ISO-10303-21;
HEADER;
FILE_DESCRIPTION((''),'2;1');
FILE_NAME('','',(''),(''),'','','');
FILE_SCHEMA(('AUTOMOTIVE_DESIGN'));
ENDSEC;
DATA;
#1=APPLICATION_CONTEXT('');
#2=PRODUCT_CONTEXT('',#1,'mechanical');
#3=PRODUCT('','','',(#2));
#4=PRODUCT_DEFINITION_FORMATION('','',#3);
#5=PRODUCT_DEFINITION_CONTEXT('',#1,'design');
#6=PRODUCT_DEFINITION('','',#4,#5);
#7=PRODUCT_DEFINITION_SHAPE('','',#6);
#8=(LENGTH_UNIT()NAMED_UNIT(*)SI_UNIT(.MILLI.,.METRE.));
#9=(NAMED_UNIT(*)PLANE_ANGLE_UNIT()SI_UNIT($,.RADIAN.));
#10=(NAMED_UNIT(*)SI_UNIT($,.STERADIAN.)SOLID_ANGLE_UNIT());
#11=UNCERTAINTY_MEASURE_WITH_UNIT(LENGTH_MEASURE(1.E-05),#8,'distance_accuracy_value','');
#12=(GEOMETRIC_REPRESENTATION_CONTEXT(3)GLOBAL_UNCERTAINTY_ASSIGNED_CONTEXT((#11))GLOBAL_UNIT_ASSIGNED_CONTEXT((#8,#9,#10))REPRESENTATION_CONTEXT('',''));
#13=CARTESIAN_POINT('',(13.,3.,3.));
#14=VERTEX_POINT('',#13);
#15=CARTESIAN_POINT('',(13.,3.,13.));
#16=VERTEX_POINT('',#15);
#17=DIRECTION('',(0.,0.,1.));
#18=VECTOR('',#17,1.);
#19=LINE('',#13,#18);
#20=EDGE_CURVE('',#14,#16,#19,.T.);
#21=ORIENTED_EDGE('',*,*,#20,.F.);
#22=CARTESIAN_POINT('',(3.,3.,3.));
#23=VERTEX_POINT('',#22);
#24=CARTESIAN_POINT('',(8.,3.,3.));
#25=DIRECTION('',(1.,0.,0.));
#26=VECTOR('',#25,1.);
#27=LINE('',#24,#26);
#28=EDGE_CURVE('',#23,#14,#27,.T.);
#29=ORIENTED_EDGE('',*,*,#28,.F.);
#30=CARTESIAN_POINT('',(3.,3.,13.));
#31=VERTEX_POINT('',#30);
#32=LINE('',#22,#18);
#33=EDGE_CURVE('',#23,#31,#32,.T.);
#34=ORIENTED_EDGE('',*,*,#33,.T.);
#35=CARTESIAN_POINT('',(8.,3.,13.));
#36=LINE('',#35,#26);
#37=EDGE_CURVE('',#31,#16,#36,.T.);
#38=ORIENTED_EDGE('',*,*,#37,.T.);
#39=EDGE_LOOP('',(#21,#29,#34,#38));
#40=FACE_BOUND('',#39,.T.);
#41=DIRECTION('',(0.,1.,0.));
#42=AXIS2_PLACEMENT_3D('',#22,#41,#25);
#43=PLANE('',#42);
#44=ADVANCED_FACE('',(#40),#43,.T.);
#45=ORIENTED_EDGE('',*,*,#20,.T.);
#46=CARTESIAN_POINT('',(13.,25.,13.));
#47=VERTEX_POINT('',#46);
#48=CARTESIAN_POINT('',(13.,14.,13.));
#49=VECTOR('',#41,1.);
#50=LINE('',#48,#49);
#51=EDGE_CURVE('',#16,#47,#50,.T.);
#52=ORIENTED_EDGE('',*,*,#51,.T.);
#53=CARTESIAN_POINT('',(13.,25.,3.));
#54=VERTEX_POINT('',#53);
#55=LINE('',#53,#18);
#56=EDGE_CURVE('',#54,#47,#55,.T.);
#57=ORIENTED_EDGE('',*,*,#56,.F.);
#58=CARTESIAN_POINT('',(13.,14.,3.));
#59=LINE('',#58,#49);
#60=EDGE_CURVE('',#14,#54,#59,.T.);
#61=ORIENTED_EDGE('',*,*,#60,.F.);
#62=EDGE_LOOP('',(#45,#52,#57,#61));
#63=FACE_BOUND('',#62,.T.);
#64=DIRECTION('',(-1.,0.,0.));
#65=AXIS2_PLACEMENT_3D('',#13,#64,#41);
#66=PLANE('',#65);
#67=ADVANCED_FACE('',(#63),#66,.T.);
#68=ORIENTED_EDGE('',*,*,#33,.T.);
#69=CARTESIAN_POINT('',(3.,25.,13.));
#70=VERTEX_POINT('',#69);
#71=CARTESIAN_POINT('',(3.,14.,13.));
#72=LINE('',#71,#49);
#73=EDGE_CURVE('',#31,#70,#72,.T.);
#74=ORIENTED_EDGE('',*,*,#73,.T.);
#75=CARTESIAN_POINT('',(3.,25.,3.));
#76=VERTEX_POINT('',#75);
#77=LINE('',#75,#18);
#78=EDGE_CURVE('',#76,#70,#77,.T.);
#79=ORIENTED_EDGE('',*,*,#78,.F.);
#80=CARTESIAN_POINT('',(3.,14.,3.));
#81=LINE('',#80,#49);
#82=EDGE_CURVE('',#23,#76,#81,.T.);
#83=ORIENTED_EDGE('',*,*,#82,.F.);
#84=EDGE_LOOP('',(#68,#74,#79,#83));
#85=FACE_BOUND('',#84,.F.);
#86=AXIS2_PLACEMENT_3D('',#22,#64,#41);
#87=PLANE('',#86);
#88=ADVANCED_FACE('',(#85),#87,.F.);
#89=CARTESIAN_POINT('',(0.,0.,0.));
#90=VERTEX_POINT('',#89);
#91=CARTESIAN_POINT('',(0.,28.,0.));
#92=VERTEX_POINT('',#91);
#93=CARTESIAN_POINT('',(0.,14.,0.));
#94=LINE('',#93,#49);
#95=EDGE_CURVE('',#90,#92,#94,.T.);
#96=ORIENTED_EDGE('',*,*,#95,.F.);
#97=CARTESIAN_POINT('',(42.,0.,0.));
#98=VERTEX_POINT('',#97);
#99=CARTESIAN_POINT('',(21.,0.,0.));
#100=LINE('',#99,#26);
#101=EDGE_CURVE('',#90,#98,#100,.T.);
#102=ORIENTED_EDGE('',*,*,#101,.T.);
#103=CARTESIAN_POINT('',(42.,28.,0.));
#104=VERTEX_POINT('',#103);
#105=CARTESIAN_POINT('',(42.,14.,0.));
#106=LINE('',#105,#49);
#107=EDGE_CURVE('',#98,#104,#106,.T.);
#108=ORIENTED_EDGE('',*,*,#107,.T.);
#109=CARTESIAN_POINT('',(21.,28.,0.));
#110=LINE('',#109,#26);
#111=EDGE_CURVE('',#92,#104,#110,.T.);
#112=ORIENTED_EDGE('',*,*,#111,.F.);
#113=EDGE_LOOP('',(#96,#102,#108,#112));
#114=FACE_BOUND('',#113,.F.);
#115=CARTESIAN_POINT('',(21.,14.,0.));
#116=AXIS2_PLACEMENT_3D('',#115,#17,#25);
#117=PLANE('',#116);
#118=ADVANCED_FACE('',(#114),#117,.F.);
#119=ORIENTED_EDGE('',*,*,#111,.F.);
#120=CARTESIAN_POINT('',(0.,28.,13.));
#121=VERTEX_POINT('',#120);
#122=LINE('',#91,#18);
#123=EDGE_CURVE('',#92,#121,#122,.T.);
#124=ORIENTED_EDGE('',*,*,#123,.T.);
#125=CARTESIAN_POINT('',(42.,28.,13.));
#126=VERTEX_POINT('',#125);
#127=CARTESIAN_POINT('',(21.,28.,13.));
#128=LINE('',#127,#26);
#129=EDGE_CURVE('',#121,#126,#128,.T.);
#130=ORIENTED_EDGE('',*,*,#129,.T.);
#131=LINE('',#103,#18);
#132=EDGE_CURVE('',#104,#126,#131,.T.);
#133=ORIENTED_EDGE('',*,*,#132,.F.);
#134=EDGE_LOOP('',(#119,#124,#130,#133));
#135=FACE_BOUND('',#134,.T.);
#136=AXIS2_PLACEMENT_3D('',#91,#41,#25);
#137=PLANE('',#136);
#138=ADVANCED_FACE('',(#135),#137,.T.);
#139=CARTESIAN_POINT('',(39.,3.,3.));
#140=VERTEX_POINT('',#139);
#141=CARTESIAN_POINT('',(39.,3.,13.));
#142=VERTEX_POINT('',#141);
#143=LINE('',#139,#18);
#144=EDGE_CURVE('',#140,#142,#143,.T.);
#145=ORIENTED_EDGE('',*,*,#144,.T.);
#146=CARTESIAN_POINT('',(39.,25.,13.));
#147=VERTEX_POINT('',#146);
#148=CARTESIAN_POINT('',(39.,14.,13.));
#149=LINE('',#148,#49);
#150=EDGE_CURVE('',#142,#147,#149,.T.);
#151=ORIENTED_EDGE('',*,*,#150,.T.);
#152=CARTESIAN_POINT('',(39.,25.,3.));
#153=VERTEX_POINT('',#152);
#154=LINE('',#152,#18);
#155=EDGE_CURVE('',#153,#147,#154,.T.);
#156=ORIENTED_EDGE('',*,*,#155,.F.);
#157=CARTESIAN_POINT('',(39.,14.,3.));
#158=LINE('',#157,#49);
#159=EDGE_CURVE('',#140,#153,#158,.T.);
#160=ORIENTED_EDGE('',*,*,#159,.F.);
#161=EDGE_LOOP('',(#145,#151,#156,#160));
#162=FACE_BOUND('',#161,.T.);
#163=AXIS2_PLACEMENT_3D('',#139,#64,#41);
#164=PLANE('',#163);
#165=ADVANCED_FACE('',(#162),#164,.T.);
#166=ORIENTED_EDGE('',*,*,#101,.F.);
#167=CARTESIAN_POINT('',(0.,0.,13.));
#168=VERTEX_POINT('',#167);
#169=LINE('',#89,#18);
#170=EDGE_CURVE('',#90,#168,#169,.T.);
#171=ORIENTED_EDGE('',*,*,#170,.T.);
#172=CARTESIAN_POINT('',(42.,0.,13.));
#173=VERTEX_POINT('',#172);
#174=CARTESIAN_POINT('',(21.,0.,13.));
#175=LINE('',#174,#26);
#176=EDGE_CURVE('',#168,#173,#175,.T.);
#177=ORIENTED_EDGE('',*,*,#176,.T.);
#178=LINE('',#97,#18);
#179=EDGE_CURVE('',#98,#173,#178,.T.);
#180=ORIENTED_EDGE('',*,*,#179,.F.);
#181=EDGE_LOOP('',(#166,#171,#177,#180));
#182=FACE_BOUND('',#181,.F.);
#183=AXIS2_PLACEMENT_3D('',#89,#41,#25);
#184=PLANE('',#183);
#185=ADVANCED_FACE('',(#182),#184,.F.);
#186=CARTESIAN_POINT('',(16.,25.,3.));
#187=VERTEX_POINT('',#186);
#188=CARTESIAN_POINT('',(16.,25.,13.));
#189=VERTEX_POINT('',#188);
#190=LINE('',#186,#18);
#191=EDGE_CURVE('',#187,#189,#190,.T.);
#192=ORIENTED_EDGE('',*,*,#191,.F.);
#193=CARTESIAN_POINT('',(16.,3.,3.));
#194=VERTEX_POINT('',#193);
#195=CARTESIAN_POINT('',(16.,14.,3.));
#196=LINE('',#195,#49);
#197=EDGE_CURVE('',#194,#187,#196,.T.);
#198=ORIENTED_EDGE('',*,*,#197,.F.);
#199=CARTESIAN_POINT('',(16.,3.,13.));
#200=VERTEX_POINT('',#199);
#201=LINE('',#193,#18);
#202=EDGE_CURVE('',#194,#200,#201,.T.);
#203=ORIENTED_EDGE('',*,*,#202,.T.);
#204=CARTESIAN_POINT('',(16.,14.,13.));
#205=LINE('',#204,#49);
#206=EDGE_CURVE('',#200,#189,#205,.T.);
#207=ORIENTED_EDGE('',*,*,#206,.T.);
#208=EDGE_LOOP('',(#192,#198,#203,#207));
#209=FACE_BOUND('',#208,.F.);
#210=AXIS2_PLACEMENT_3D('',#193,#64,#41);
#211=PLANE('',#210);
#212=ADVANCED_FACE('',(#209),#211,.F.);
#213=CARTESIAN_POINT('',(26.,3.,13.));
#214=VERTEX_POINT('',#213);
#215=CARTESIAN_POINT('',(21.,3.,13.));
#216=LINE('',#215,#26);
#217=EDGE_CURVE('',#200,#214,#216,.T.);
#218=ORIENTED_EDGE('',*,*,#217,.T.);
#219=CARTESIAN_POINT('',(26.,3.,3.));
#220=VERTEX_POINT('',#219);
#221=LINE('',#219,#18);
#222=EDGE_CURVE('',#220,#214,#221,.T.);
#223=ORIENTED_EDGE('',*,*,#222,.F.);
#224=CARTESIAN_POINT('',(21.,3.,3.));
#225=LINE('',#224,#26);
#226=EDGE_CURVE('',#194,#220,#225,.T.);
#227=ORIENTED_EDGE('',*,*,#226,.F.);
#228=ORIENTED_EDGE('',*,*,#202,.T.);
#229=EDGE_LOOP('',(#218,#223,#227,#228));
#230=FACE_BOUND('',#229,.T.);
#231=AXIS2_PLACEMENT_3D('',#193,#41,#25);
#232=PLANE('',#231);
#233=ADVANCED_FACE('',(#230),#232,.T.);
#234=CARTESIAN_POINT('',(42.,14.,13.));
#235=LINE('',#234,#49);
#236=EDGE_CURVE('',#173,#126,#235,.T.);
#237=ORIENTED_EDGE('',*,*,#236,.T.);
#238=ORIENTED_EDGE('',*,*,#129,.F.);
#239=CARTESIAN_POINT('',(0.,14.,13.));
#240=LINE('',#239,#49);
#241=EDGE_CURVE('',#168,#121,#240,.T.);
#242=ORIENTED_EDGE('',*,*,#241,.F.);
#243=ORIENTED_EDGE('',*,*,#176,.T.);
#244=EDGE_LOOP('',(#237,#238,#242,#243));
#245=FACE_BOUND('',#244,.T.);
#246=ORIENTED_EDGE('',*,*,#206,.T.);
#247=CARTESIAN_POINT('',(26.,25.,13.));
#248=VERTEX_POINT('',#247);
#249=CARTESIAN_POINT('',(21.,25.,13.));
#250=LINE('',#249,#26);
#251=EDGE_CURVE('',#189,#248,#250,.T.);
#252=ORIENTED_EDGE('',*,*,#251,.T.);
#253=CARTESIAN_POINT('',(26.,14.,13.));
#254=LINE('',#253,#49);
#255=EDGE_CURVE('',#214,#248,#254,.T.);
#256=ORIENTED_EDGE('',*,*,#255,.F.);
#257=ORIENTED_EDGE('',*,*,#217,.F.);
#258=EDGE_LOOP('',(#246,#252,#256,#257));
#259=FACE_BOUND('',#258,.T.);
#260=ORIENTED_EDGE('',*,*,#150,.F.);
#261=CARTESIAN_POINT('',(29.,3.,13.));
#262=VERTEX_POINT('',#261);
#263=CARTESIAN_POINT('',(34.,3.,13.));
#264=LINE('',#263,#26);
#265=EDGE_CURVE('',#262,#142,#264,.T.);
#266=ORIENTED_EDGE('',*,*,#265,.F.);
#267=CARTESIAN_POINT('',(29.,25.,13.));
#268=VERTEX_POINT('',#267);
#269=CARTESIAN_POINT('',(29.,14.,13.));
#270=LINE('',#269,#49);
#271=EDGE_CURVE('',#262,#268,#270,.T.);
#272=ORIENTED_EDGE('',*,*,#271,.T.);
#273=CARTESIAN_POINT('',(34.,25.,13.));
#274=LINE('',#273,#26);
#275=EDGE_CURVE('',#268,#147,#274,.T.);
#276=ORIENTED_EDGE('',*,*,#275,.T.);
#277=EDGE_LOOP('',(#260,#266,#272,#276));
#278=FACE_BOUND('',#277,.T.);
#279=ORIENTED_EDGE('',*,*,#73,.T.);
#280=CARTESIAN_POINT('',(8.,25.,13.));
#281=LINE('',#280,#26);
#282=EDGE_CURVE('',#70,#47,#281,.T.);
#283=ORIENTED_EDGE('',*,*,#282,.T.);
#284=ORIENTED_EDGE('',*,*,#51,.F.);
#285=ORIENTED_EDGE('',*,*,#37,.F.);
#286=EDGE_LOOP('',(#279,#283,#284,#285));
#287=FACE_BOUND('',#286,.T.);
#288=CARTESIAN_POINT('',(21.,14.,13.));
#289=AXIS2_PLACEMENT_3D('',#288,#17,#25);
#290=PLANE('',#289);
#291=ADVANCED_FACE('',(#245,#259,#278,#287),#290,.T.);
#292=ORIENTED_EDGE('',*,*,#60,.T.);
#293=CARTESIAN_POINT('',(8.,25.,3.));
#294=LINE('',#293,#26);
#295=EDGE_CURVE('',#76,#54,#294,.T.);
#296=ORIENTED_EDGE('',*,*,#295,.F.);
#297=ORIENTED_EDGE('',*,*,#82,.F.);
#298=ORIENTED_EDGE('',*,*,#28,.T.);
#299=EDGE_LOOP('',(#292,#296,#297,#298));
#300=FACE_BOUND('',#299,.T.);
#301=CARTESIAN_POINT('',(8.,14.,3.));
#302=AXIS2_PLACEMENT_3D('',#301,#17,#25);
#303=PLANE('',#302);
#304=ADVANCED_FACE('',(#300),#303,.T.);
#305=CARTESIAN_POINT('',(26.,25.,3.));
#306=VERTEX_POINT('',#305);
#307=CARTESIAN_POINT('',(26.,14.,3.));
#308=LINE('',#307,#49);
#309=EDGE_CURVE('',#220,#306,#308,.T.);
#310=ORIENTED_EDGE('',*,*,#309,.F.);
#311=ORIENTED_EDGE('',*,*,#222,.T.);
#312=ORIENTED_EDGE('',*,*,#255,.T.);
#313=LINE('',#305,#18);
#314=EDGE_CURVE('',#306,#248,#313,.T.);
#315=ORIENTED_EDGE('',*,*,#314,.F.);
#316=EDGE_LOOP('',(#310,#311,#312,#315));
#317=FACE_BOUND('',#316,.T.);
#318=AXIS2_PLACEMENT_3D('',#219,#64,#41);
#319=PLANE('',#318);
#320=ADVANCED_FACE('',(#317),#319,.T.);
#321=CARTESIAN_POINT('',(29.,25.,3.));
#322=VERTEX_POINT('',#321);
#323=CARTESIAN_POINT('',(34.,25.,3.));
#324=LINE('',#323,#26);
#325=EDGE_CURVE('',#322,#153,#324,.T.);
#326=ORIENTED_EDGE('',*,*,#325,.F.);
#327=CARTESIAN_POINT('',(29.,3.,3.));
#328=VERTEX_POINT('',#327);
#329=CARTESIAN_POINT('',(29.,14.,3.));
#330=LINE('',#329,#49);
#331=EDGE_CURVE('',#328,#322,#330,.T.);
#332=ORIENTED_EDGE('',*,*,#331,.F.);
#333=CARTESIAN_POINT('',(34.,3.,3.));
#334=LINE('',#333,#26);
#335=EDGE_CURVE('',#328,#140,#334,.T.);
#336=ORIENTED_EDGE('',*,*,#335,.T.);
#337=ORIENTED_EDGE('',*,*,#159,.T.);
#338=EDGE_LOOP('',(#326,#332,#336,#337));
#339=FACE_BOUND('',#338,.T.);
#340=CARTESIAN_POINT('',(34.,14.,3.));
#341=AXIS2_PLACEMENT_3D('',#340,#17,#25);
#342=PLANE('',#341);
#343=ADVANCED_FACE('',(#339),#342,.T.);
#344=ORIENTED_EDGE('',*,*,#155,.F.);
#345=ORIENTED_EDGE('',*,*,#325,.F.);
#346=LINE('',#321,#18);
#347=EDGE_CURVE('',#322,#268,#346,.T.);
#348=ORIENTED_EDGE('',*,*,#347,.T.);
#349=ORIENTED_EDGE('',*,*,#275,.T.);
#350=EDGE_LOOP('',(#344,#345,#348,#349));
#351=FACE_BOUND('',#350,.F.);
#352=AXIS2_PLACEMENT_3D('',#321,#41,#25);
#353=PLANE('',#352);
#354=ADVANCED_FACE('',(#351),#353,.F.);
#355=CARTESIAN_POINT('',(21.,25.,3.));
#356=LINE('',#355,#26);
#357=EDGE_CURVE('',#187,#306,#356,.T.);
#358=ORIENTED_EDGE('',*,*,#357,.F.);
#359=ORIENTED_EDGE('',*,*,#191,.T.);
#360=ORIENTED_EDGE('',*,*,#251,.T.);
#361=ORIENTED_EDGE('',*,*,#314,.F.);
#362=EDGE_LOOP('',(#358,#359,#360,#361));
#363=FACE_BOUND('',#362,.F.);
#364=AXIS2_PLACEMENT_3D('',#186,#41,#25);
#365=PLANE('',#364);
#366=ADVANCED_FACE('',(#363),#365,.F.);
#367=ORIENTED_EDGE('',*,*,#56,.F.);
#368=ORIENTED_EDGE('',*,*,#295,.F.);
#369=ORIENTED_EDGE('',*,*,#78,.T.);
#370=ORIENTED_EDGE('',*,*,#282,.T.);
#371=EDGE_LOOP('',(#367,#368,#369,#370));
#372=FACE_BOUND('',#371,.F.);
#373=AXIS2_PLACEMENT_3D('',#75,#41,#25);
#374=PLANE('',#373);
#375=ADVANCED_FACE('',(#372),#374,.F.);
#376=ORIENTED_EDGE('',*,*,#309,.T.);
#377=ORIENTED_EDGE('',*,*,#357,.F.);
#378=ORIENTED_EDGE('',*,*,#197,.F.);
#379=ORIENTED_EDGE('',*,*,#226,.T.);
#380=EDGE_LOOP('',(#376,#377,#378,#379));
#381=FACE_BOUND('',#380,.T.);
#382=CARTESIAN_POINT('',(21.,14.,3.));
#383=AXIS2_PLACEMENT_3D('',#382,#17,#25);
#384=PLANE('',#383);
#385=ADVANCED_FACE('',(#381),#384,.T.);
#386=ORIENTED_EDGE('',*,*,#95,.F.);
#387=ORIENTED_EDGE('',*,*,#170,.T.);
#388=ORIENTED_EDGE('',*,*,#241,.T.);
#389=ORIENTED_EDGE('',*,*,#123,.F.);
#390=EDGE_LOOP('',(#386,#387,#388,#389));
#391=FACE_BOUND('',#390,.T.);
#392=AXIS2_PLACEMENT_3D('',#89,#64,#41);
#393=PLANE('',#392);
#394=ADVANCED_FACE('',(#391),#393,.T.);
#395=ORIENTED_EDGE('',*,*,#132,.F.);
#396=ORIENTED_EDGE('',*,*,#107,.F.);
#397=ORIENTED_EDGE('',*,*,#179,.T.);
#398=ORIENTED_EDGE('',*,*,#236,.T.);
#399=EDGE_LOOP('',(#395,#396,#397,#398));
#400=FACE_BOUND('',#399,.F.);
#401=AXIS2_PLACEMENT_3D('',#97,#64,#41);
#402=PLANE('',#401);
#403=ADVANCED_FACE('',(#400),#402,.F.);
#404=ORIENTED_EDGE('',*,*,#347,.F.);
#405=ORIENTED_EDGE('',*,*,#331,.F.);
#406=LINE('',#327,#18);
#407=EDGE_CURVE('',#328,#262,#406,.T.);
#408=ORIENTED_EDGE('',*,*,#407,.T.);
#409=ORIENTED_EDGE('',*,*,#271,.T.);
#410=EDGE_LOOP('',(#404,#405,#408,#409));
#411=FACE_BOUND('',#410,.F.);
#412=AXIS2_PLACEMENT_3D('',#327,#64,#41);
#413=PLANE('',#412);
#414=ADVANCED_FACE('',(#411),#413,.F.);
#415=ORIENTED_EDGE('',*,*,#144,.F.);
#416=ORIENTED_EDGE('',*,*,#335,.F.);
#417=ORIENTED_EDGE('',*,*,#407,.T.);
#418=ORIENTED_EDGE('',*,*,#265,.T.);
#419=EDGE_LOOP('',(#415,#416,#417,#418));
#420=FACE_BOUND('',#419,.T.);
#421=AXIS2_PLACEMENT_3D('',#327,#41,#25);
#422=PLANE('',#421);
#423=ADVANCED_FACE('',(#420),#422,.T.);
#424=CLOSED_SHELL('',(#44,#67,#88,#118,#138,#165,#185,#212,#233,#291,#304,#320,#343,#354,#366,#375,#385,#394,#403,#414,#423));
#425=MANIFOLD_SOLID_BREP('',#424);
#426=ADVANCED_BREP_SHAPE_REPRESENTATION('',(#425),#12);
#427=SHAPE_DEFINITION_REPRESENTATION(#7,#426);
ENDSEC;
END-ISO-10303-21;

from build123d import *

# Parameters (mm, degrees)
BOX004_W     = 10
BOX004_H     = 22
BOX004_DEPTH = 10
BOX003_W     = 10
BOX003_H     = 22
BOX003_DEPTH = 10
BOX002_W     = 10
BOX002_H     = 22
BOX002_DEPTH = 10
BOX001_W     = 42
BOX001_H     = 28
BOX001_DEPTH = 13


with BuildPart() as cubo003:
    # Box004 → Box004 (new body)
    with BuildSketch(Plane(origin=(29, 3, 3), x_dir=(1, 0, 0), z_dir=(0, 0, 1))):
        with Locations((5, 11)):
            Rectangle(BOX004_W, BOX004_H)
    extrude(amount=BOX004_DEPTH)


with BuildPart() as cubo002:
    # Box003 → Box003 (new body)
    with BuildSketch(Plane(origin=(16, 3, 3), x_dir=(1, 0, 0), z_dir=(0, 0, 1))):
        with Locations((5, 11)):
            Rectangle(BOX003_W, BOX003_H)
    extrude(amount=BOX003_DEPTH)


with BuildPart() as cubo001:
    # Box002 → Box002 (new body)
    with BuildSketch(Plane(origin=(3, 3, 3), x_dir=(1, 0, 0), z_dir=(0, 0, 1))):
        with Locations((5, 11)):
            Rectangle(BOX002_W, BOX002_H)
    extrude(amount=BOX002_DEPTH)


with BuildPart() as cut002:
    # Box001 → Box001 (new body)
    with BuildSketch(Plane.XY):
        with Locations((21, 14)):
            Rectangle(BOX001_W, BOX001_H)
    extrude(amount=BOX001_DEPTH)

    # Cut: cut Cubo001
    add(cubo001.part, mode=Mode.SUBTRACT)

    # Cut001: cut Cubo002
    add(cubo002.part, mode=Mode.SUBTRACT)

    # Cut002: cut Cubo003
    add(cubo003.part, mode=Mode.SUBTRACT)


solid = cut002.part
